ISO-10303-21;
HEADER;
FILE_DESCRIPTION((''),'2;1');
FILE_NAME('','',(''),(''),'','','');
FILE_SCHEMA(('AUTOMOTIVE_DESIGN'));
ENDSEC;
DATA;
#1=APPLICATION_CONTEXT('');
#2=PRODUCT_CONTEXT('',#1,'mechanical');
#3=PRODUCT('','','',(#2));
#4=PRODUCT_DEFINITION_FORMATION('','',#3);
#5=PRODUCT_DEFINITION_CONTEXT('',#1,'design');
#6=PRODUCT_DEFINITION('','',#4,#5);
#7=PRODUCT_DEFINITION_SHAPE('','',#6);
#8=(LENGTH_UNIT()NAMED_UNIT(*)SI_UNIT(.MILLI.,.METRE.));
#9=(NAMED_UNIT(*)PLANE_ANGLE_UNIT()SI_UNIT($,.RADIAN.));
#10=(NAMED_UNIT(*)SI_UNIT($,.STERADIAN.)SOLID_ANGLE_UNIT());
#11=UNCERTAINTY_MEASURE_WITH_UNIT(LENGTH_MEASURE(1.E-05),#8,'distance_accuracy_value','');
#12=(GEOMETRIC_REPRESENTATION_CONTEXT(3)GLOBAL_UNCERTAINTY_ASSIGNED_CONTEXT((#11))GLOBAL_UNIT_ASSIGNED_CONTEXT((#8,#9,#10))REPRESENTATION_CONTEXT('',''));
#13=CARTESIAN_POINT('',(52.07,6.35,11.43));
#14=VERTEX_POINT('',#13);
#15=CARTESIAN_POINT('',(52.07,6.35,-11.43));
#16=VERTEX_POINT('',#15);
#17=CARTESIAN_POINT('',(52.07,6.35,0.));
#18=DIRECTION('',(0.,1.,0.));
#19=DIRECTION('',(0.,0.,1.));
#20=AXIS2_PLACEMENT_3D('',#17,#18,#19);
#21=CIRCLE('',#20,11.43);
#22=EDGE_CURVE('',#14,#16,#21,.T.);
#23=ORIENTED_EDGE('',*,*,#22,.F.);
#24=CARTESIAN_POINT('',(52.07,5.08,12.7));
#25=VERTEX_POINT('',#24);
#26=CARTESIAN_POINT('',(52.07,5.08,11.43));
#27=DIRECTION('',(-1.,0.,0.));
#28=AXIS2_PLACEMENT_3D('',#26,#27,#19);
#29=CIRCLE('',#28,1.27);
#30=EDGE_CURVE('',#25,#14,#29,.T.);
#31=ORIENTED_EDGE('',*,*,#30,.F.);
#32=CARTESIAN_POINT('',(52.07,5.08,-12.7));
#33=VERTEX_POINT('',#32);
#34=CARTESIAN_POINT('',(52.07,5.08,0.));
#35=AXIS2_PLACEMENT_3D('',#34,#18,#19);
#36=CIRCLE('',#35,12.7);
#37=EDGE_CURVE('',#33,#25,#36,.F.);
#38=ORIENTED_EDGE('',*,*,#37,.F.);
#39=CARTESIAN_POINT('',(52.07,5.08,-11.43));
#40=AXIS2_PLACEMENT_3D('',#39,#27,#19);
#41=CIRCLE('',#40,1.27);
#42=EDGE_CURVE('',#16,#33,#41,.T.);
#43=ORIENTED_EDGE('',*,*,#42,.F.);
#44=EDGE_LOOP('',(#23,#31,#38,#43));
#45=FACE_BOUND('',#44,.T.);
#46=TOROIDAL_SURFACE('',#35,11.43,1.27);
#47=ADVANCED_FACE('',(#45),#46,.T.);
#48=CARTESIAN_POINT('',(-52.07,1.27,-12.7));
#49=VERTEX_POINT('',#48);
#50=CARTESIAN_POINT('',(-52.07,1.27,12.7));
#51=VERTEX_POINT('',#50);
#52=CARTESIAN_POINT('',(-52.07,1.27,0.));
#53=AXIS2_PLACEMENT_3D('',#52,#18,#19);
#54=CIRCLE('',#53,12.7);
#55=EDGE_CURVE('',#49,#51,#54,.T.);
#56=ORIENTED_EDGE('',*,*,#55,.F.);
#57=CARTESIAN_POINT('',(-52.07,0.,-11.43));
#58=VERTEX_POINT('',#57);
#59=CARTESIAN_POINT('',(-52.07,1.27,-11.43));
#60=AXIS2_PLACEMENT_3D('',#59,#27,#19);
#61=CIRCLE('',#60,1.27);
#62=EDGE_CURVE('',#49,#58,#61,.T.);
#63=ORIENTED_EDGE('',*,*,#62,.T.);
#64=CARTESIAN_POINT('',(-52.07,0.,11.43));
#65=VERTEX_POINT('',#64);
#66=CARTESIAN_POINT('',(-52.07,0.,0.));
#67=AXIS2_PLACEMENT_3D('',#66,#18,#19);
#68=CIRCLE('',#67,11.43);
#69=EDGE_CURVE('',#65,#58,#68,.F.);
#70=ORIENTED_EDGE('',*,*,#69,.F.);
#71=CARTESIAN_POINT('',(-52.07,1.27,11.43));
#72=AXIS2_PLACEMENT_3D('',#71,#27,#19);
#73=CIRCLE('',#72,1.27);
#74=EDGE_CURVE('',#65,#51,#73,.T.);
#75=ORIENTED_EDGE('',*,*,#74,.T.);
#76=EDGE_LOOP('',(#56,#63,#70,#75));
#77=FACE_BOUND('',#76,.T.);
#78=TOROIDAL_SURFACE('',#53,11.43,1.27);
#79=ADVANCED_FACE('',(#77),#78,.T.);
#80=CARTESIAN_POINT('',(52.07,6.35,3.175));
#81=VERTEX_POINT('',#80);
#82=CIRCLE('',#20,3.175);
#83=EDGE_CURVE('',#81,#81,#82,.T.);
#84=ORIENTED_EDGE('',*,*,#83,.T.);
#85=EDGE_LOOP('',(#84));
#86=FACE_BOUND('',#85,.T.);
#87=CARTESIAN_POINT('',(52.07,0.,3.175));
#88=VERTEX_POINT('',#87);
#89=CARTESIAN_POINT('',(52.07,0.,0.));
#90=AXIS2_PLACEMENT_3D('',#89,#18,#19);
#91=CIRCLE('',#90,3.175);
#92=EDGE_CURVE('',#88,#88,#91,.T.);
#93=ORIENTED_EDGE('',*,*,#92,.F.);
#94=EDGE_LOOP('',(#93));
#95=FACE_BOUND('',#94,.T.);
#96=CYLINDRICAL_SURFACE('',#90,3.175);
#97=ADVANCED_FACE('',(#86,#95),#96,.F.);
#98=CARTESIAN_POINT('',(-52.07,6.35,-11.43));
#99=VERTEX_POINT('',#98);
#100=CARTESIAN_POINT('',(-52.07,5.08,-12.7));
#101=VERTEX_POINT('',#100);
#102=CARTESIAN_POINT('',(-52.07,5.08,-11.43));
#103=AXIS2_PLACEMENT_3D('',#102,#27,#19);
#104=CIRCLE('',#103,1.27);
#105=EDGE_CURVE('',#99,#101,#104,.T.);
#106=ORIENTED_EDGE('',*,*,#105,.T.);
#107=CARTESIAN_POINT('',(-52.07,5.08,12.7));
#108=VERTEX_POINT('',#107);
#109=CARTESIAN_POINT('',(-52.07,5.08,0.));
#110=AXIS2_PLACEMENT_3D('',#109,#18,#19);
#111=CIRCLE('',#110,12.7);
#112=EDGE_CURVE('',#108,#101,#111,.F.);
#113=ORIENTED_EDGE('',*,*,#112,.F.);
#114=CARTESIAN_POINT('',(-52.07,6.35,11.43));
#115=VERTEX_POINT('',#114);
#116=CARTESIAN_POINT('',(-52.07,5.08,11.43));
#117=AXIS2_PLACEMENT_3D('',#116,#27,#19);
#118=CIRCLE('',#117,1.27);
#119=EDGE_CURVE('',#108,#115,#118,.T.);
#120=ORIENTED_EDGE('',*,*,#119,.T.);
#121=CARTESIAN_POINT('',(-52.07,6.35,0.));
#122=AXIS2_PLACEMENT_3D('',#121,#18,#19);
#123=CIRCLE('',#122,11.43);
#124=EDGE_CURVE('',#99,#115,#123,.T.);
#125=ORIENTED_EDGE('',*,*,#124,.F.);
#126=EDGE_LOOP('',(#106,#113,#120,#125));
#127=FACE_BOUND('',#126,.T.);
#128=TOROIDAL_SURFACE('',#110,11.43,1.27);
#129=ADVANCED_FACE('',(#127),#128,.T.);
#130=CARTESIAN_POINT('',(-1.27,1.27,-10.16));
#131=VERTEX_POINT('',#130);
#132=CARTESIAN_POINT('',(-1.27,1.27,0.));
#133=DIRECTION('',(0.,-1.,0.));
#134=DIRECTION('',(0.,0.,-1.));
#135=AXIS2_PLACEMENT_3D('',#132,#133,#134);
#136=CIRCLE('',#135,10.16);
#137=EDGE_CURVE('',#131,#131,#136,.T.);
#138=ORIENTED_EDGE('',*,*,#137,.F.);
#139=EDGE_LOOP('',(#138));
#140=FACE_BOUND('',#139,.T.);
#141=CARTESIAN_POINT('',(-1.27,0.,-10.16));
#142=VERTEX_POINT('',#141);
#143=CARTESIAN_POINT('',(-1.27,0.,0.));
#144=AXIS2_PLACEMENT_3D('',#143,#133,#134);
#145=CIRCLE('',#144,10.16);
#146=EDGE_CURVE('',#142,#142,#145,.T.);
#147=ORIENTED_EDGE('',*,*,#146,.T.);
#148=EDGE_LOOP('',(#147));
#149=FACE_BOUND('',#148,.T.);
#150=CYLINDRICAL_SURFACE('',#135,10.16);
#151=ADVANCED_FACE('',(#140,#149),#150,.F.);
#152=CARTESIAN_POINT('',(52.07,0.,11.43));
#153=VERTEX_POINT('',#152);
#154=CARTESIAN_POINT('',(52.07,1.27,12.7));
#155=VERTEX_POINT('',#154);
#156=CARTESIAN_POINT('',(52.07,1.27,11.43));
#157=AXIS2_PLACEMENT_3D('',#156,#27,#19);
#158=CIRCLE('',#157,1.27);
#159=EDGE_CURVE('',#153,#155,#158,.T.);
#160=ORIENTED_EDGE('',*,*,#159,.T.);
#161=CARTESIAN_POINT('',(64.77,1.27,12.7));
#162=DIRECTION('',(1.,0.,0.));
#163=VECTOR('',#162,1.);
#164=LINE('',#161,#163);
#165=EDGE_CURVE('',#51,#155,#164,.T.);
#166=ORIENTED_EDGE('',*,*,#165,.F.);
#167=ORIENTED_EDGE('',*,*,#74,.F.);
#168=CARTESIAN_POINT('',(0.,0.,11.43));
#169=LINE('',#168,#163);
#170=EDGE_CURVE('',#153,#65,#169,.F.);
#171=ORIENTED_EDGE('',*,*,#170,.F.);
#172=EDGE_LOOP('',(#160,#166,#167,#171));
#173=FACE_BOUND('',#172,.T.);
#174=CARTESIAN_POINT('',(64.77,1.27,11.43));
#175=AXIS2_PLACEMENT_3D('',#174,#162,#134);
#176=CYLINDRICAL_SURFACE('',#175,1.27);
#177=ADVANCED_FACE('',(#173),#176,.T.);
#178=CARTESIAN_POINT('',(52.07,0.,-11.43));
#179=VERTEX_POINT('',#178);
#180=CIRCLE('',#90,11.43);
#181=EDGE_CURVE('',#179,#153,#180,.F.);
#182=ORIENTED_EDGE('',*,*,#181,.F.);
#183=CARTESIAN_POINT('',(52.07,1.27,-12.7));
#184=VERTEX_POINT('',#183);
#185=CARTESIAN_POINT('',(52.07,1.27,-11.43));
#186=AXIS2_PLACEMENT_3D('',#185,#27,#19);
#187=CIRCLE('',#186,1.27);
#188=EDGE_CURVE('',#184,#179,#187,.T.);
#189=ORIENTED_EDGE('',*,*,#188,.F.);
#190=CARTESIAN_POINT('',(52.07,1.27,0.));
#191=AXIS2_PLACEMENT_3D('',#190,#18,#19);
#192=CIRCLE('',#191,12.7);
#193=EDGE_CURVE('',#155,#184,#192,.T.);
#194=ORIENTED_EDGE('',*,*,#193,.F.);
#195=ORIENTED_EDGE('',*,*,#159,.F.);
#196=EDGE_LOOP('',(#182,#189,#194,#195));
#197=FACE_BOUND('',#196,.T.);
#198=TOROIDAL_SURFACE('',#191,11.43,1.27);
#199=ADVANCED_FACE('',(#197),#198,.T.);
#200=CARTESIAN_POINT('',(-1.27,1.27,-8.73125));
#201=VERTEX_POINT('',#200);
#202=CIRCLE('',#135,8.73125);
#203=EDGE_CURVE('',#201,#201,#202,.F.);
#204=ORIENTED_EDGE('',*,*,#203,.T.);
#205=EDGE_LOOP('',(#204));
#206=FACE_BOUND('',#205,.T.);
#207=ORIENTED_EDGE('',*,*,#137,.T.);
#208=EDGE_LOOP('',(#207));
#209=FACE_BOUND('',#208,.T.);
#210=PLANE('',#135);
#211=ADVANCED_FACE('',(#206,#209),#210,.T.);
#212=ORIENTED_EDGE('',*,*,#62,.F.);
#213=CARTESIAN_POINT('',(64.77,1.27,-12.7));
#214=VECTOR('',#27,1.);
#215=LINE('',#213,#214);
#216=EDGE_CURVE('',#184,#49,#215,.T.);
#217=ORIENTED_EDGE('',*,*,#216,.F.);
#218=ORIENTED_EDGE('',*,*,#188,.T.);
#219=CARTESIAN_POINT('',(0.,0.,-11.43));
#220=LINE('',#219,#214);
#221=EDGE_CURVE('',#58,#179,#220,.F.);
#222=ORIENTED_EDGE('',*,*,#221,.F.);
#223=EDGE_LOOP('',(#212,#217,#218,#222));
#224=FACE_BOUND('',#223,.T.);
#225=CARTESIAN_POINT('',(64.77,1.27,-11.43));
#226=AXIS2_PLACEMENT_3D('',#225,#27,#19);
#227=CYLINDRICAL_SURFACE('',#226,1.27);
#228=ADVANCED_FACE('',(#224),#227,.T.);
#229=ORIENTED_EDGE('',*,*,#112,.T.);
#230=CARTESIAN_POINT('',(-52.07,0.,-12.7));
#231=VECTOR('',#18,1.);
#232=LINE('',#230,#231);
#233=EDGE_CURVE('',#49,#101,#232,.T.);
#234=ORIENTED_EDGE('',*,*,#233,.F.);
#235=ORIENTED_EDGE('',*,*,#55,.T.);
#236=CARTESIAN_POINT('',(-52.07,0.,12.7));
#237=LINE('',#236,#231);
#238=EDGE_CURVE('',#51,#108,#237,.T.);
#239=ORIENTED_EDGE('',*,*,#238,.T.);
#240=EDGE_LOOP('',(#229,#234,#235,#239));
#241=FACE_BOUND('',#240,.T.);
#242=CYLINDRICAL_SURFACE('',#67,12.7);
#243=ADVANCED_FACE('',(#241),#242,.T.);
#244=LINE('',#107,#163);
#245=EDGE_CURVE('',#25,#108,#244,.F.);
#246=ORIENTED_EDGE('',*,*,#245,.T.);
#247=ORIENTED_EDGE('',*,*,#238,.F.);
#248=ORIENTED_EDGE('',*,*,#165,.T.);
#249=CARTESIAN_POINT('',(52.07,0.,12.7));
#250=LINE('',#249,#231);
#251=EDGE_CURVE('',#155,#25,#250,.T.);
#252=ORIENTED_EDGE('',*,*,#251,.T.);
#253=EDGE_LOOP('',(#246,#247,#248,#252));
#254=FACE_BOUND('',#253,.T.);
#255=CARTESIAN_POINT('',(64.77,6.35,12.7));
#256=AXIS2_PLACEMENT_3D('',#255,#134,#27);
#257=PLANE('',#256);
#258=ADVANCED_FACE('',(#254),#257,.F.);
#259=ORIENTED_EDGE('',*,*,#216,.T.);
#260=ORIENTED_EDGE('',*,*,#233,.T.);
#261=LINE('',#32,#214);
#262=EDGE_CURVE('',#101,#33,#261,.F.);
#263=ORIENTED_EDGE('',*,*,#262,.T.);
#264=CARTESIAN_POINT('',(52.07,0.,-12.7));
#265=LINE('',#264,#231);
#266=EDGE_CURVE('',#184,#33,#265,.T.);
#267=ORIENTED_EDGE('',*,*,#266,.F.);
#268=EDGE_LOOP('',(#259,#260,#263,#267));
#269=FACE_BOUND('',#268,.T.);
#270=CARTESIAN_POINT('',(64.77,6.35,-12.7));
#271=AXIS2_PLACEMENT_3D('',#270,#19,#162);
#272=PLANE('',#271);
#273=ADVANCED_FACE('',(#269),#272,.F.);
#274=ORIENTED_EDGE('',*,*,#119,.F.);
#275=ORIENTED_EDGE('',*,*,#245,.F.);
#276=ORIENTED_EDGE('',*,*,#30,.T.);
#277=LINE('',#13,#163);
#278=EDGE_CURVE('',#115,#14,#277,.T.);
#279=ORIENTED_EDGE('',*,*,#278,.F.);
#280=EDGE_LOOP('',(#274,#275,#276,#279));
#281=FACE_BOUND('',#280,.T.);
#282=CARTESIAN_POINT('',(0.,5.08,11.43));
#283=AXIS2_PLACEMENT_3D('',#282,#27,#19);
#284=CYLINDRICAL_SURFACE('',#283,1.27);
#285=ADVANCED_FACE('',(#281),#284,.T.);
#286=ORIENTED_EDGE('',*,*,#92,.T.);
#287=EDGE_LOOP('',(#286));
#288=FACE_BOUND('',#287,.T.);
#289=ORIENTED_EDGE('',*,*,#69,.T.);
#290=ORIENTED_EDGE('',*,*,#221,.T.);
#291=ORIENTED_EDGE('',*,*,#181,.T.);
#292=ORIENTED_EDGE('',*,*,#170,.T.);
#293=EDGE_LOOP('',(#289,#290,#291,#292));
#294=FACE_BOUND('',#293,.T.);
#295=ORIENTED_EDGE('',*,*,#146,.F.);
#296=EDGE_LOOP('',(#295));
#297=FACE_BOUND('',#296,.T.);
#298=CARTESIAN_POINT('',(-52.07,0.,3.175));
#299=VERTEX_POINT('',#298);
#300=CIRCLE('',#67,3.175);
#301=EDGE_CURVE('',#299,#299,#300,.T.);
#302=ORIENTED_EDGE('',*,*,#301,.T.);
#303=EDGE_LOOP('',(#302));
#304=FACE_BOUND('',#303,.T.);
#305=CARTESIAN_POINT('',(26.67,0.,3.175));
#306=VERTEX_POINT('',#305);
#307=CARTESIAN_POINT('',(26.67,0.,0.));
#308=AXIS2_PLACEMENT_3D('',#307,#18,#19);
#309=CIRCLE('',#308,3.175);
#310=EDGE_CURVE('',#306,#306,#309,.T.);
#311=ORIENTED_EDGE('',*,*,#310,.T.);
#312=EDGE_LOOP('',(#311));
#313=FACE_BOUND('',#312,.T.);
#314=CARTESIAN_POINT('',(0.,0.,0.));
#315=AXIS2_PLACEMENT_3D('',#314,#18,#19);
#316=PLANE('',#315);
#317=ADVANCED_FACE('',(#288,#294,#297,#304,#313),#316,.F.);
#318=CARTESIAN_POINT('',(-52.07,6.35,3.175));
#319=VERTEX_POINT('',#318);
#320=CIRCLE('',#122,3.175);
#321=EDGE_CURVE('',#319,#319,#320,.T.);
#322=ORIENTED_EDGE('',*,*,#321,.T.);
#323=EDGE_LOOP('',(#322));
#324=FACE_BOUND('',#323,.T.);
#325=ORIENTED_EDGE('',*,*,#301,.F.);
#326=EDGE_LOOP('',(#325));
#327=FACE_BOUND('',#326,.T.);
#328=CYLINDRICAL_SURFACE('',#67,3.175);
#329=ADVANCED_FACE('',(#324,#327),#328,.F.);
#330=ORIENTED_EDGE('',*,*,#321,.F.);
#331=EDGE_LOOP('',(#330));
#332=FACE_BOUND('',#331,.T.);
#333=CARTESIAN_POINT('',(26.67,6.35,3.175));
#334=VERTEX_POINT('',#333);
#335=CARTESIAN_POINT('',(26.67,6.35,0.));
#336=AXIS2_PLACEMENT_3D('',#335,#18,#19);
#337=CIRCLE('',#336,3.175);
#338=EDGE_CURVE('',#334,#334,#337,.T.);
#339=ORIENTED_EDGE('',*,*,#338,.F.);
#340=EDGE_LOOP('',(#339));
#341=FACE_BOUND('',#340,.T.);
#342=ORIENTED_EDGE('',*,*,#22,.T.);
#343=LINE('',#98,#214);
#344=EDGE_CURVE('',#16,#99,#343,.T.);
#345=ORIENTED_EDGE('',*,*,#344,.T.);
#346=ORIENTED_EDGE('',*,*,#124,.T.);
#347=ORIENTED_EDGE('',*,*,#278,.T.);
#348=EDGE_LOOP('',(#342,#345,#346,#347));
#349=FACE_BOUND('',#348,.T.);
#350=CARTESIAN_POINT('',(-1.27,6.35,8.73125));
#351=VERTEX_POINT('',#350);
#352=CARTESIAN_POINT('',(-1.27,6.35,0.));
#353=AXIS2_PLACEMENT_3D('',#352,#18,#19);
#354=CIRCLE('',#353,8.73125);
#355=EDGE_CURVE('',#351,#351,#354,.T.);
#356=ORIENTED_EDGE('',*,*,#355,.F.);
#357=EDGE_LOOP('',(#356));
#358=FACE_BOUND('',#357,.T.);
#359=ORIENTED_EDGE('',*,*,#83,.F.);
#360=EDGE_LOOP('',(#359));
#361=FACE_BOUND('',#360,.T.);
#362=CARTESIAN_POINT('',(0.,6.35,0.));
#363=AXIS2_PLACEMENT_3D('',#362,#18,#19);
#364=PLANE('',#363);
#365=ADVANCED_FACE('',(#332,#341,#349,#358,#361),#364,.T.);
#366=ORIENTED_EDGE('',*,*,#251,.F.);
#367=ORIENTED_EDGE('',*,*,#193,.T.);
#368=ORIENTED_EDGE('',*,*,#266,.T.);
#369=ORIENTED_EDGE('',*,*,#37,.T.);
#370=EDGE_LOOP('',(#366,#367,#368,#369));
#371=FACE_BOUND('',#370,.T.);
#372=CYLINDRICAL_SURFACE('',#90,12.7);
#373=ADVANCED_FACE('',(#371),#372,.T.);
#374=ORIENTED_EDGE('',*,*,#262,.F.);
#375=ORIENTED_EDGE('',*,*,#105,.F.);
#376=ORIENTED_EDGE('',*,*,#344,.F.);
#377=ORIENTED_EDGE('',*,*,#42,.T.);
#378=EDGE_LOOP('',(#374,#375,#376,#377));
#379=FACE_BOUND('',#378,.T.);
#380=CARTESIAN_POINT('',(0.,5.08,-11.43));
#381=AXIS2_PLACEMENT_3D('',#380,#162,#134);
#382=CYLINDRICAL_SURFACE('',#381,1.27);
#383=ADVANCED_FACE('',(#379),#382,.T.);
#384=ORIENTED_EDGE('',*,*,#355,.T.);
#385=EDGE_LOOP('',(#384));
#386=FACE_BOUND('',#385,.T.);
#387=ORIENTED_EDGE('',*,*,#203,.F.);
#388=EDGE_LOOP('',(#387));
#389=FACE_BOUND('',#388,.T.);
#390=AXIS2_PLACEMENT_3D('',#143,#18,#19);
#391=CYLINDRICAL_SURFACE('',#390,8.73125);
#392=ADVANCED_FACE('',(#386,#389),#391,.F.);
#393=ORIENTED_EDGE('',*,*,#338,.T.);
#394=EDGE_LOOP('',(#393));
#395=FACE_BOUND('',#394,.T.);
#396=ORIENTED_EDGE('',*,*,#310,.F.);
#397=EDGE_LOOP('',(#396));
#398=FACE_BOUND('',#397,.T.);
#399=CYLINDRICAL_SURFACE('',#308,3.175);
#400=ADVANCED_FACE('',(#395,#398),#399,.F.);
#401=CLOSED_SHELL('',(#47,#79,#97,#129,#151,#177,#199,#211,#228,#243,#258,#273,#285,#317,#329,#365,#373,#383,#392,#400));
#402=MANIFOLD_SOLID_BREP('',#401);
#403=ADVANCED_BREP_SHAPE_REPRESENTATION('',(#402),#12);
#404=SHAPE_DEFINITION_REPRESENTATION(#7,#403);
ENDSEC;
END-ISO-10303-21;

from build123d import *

# Parameters (mm, degrees)
SKETCH1_W           = 129.54
SKETCH1_H           = 25.4
BOSS_EXTRUDE1_DEPTH = 6.35
SKETCH2_R           = 3.175
SKETCH2_R_2         = 8.73125
CUT_EXTRUDE1_DEPTH  = 67.30810961
SKETCH3_R           = 10.16
CUT_EXTRUDE2_DEPTH  = 1.27
CUT_EXTRUDE3_DEPTH  = 67.30810961
FILLET1_R           = 1.27


with BuildPart() as part:
    # Sketch1 → Boss-Extrude1 (new body)
    with BuildSketch(Plane(origin=(0, 0, 0), x_dir=(1, 0, 0), z_dir=(0, 1, 0))):
        Rectangle(SKETCH1_W, SKETCH1_H)
    extrude(amount=BOSS_EXTRUDE1_DEPTH)

    # Sketch2 → Cut-Extrude1 (cut, through all)
    with BuildSketch(Plane(origin=(0, 6.35, 0), x_dir=(1, 0, 0), z_dir=(0, 1, 0))):
        with Locations(Location((-52.07, 0, 0), (0, 0, 270))):
            Circle(SKETCH2_R)
        with Locations(Location((26.67, 0, 0), (0, 0, 270))):
            Circle(SKETCH2_R)
        with Locations(Location((52.07, 0, 0), (0, 0, 270))):
            Circle(SKETCH2_R)
        with Locations(Location((-1.27, 0, 0), (0, 0, 270))):
            Circle(SKETCH2_R_2)
    extrude(amount=-CUT_EXTRUDE1_DEPTH, mode=Mode.SUBTRACT)

    # Sketch3 → Cut-Extrude2 (cut)
    with BuildSketch(Plane(origin=(0, 0, 0), x_dir=(-1, 0, 0), z_dir=(0, -1, 0))):
        with Locations(Location((1.27, 0, 0), (0, 0, 90))):
            Circle(SKETCH3_R)
    extrude(amount=-CUT_EXTRUDE2_DEPTH, mode=Mode.SUBTRACT)

    # Sketch5 → Cut-Extrude3 (cut, through all)
    with BuildSketch(Plane(origin=(0, 6.35, 0), x_dir=(1, 0, 0), z_dir=(0, 1, 0))):
        with BuildLine():
            ThreePointArc((-64.77, -3.9e-08), (-61.050256152, 8.98025609), (-52.070000049, 12.7))
            Line((-52.070000049, 12.7), (-64.77, 12.7))
            Line((-64.77, 12.7), (-64.77, -3.9e-08))
        make_face()
        with BuildLine():
            Line((-64.77, -12.7), (-52.07, -12.7))
            ThreePointArc((-52.07, -12.7), (-61.050256107, -8.980256135), (-64.77, -3.9e-08))
            Line((-64.77, -3.9e-08), (-64.77, -12.7))
        make_face()
        with BuildLine():
            ThreePointArc((64.77, 0), (61.050256132, -8.98025611), (52.07000003, -12.7))
            Line((52.07000003, -12.7), (64.77, -12.7))
            Line((64.77, -12.7), (64.77, 0))
        make_face()
        with BuildLine():
            Line((64.77, 12.7), (52.07, 12.7))
            ThreePointArc((52.07, 12.7), (61.050256121, 8.980256121), (64.77, 0))
            Line((64.77, 0), (64.77, 12.7))
        make_face()
    extrude(amount=-CUT_EXTRUDE3_DEPTH, mode=Mode.SUBTRACT)

    # Fillet1
    fillet1_edges = [part.edges().sort_by_distance(p)[0] for p in [
        (-2.4e-08, 0, -12.7),
        (-2.4e-08, 6.35, -12.7),
        (-64.77, 6.35, 2.4e-08),
        (-64.77, 0, 2.4e-08),
        (64.77, 6.35, -1.5e-08),
        (64.77, 0, -1.5e-08),
        (1.5e-08, 0, 12.7),
        (1.5e-08, 6.35, 12.7),
    ]]
    fillet(fillet1_edges, radius=FILLET1_R)


solid = part.part
